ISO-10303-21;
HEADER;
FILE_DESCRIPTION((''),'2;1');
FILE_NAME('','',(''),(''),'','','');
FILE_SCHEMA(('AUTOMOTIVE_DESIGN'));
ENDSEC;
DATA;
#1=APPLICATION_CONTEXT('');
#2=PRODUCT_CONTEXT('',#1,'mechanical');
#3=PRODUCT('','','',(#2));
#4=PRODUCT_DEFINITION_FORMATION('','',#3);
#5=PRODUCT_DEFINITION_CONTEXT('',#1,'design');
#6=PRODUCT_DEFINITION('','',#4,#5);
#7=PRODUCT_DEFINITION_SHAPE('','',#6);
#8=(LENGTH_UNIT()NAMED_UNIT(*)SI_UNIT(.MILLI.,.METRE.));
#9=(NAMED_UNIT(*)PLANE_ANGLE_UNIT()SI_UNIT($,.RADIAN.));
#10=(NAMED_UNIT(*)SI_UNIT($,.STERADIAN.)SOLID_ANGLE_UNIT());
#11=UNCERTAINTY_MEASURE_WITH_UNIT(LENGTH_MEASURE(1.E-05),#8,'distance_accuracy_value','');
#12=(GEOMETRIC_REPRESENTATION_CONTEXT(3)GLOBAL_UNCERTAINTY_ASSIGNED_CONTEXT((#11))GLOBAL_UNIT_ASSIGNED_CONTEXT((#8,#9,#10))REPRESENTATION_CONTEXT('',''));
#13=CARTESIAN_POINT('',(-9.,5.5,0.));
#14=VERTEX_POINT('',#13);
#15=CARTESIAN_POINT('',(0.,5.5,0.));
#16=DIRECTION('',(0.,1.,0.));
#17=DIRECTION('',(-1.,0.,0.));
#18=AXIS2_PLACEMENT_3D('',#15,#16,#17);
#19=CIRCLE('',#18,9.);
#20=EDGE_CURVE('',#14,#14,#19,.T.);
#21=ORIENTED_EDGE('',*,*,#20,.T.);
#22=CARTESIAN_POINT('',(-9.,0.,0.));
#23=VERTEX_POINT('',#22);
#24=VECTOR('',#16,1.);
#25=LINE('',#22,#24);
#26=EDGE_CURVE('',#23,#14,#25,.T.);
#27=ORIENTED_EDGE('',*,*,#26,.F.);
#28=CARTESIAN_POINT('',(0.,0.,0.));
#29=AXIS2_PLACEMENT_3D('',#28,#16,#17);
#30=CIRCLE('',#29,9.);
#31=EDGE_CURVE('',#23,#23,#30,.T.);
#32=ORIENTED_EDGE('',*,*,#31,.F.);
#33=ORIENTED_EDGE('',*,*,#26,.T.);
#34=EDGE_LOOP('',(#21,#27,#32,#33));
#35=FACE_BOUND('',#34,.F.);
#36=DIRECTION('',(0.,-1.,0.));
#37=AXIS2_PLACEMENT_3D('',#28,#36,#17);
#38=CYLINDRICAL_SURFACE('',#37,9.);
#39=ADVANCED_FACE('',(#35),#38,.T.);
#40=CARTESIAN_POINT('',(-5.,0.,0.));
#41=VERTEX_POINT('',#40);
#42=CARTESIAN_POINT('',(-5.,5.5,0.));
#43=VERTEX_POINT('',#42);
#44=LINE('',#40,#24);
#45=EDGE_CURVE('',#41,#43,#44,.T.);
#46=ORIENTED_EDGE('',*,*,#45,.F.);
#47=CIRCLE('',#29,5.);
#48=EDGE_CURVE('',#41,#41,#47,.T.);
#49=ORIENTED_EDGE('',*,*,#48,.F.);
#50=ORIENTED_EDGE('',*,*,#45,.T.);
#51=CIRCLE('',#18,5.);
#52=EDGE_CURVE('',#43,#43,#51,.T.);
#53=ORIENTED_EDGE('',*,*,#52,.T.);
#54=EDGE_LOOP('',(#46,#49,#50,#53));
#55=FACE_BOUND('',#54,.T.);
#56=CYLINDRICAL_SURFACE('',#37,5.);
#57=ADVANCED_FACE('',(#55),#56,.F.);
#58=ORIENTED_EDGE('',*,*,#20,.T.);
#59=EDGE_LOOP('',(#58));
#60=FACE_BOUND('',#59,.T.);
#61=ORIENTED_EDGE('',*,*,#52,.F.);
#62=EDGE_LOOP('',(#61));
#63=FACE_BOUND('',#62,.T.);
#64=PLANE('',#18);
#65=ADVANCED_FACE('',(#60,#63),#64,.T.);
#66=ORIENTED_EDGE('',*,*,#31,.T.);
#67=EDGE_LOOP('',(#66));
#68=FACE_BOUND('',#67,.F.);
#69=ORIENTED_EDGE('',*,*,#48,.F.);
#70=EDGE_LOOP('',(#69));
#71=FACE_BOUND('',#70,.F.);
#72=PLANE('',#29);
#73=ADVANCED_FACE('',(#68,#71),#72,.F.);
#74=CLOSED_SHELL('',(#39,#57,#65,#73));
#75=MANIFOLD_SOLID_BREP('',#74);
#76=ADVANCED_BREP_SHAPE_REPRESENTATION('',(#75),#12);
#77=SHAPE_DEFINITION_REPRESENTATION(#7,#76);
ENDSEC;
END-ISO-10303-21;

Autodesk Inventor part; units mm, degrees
ref_plane "YZ Plane" through (0, 0, 0) normal (1, 0, 0) x (0, 1, 0)
ref_plane "XZ Plane" through (0, 0, 0) normal (0, 1, 0) x (-1, 0, 0)
ref_plane "XY Plane" through (0, 0, 0) normal (0, 0, 1) x (1, 0, 0)
sketch "Sketch1" plane through (0, 0, 0) normal (0, 1, 0) x (-1, 0, 0)
  circle A0 centre (0, 0) radius 5
  circle A1 centre (0, 0) radius 9
  dimension "d0" = 10
  dimension "d1" = 18
extrude "Extrusion1" add sketch "Sketch1" along normal blind 5.5
properties part number "F10-18M Thrust Bearing"
